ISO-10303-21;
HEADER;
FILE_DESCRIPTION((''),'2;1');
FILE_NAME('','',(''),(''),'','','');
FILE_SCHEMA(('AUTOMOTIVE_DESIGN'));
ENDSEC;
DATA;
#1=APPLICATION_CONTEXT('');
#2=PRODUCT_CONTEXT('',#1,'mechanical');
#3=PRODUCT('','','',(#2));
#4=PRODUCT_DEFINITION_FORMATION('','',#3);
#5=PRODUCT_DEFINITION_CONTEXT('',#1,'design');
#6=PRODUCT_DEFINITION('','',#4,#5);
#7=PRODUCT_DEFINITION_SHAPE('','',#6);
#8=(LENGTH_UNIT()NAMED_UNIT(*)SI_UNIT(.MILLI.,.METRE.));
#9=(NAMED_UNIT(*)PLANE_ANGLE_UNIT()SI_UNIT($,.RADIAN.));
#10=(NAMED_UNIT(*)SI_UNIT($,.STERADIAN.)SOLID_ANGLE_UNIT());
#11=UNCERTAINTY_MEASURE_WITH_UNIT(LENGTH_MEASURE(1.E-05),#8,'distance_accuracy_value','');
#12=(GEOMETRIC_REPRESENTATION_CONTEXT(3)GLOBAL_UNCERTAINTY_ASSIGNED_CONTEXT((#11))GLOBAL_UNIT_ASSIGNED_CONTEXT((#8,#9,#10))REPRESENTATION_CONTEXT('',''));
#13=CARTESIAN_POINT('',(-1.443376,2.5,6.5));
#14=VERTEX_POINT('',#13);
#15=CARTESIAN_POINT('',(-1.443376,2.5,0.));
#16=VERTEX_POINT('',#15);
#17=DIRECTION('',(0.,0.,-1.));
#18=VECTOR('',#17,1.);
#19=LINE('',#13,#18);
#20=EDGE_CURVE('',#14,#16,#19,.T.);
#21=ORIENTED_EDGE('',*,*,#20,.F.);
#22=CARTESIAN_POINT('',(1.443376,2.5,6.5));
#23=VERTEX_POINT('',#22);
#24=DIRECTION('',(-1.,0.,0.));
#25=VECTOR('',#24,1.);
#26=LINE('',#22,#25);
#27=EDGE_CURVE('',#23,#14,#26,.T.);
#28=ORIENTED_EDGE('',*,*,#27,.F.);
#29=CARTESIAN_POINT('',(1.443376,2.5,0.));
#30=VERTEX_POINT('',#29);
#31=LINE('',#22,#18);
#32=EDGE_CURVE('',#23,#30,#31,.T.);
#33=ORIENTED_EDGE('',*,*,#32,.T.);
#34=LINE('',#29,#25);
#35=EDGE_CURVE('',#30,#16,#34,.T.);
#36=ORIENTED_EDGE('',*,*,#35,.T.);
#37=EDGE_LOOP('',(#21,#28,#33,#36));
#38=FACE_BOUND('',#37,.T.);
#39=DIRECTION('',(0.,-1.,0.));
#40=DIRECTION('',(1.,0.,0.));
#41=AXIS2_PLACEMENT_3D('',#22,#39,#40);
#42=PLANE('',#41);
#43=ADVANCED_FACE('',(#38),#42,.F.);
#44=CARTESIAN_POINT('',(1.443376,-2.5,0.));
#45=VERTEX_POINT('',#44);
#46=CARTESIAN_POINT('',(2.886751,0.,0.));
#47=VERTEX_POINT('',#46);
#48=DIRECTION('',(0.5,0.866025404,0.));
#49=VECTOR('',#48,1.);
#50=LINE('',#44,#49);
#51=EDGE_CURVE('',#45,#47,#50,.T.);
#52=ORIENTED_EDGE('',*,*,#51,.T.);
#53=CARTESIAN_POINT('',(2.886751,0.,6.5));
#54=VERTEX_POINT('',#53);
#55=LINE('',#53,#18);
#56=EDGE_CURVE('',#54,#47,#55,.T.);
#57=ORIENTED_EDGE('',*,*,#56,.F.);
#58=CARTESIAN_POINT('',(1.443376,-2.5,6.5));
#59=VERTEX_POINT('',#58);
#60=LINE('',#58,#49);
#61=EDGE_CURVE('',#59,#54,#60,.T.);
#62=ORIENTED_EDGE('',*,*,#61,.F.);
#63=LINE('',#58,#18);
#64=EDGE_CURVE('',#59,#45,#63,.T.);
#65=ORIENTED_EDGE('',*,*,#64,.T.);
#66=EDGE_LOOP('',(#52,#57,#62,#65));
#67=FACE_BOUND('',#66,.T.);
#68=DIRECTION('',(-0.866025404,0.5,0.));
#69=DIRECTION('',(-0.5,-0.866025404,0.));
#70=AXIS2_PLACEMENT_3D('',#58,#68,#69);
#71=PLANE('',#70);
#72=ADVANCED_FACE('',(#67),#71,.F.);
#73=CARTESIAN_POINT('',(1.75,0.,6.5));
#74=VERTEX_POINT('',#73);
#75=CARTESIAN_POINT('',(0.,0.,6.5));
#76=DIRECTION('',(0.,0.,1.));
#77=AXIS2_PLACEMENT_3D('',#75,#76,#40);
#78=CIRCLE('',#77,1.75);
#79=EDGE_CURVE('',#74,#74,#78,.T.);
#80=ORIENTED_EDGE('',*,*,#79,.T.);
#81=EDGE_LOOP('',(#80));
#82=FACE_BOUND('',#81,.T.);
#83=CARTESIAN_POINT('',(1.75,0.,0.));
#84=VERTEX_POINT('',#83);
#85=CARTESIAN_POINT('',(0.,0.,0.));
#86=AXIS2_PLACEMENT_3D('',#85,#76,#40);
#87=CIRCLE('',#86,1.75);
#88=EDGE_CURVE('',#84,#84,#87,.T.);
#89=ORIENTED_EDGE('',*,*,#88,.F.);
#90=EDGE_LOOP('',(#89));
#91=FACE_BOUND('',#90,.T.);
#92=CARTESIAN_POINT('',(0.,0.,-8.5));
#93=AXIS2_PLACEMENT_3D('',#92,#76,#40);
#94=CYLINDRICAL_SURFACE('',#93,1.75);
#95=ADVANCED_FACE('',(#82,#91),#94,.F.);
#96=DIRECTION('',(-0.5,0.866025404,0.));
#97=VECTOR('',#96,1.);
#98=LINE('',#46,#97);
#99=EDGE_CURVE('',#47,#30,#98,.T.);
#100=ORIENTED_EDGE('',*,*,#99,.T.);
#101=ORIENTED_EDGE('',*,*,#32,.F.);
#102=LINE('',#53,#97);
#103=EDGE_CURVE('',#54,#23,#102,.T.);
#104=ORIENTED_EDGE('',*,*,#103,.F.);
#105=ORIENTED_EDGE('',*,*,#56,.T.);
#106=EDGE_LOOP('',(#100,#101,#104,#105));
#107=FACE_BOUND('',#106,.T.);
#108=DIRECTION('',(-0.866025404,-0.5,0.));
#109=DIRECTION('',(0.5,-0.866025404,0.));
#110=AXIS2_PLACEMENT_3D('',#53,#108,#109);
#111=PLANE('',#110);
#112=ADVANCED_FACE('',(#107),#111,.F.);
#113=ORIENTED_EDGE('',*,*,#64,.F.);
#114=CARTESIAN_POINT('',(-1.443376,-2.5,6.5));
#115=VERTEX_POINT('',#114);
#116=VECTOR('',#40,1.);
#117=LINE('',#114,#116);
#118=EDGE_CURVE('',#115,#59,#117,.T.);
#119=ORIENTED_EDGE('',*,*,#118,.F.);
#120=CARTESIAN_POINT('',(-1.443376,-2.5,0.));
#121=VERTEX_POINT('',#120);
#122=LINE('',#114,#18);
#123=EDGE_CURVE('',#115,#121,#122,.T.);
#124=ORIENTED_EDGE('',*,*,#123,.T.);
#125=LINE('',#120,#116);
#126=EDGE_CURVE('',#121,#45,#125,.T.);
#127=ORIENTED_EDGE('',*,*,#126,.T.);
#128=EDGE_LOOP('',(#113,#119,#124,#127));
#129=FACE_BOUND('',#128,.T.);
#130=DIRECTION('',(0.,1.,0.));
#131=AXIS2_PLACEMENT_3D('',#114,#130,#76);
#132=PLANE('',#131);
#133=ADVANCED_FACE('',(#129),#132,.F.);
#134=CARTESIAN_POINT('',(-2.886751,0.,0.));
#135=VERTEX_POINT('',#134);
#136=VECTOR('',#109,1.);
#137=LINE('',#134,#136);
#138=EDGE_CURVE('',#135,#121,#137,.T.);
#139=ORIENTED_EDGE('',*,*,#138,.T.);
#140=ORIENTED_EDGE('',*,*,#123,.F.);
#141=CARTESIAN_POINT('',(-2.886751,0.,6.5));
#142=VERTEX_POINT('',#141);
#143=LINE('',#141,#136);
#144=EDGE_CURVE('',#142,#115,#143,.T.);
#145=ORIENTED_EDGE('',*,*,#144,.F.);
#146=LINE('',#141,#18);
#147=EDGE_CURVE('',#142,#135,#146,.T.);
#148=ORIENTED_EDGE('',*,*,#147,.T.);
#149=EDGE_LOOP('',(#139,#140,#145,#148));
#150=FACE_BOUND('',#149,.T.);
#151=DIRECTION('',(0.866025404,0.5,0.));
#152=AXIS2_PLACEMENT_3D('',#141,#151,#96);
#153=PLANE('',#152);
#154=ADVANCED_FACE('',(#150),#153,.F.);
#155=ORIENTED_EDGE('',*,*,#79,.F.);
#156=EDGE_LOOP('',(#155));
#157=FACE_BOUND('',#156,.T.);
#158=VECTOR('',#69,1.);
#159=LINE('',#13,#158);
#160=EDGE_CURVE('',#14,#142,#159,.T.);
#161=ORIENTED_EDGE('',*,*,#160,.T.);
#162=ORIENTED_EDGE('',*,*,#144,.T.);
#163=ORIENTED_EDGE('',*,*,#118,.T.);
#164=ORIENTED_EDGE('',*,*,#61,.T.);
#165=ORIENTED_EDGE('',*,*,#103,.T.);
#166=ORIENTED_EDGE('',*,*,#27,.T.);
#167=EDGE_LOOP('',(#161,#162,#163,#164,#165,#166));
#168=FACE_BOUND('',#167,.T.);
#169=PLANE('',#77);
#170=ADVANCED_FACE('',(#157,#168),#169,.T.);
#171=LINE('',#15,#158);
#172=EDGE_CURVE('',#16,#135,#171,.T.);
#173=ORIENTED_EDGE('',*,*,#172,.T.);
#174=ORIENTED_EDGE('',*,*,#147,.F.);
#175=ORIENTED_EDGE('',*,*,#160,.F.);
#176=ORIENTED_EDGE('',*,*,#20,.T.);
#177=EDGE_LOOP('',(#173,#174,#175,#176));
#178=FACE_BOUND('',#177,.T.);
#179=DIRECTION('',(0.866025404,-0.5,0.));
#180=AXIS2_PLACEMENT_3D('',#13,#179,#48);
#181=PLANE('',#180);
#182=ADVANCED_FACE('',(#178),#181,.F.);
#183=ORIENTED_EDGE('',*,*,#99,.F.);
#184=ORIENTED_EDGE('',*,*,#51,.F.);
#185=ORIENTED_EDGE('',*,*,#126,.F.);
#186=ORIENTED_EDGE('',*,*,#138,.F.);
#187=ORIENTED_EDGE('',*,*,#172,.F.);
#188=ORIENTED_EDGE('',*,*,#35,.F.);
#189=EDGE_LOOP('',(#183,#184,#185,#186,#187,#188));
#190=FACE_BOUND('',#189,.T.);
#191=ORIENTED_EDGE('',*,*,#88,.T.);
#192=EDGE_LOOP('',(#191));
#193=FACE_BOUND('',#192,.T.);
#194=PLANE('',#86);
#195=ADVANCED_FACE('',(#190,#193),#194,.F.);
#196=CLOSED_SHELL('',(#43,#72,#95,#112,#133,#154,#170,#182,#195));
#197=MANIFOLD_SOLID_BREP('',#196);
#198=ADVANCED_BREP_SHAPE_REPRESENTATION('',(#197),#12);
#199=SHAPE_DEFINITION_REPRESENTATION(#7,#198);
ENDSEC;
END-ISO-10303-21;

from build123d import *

# Parameters (mm, degrees)
ESTRUSIONE_ESTRUSIONE1_DEPTH = 6.5
SCHIZZO2_R                   = 1.75
TAGLIO_ESTRUSIONE1_DEPTH     = 15


with BuildPart() as part:
    # Schizzo1 → Estrusione-Estrusione1 (new body)
    with BuildSketch(Plane.XY):
        Polygon((1.443375673, 2.5), (-1.443375673, 2.5), (-2.886751346, 0), (-1.443375673, -2.5), (1.443375673, -2.5), (2.886751346, 0), align=None)
    extrude(amount=ESTRUSIONE_ESTRUSIONE1_DEPTH)

    # Schizzo2 → Taglio-Estrusione1 (cut)
    with BuildSketch(Plane.XY.offset(6.5)):
        Circle(SCHIZZO2_R)
    extrude(amount=-TAGLIO_ESTRUSIONE1_DEPTH, mode=Mode.SUBTRACT)


solid = part.part
